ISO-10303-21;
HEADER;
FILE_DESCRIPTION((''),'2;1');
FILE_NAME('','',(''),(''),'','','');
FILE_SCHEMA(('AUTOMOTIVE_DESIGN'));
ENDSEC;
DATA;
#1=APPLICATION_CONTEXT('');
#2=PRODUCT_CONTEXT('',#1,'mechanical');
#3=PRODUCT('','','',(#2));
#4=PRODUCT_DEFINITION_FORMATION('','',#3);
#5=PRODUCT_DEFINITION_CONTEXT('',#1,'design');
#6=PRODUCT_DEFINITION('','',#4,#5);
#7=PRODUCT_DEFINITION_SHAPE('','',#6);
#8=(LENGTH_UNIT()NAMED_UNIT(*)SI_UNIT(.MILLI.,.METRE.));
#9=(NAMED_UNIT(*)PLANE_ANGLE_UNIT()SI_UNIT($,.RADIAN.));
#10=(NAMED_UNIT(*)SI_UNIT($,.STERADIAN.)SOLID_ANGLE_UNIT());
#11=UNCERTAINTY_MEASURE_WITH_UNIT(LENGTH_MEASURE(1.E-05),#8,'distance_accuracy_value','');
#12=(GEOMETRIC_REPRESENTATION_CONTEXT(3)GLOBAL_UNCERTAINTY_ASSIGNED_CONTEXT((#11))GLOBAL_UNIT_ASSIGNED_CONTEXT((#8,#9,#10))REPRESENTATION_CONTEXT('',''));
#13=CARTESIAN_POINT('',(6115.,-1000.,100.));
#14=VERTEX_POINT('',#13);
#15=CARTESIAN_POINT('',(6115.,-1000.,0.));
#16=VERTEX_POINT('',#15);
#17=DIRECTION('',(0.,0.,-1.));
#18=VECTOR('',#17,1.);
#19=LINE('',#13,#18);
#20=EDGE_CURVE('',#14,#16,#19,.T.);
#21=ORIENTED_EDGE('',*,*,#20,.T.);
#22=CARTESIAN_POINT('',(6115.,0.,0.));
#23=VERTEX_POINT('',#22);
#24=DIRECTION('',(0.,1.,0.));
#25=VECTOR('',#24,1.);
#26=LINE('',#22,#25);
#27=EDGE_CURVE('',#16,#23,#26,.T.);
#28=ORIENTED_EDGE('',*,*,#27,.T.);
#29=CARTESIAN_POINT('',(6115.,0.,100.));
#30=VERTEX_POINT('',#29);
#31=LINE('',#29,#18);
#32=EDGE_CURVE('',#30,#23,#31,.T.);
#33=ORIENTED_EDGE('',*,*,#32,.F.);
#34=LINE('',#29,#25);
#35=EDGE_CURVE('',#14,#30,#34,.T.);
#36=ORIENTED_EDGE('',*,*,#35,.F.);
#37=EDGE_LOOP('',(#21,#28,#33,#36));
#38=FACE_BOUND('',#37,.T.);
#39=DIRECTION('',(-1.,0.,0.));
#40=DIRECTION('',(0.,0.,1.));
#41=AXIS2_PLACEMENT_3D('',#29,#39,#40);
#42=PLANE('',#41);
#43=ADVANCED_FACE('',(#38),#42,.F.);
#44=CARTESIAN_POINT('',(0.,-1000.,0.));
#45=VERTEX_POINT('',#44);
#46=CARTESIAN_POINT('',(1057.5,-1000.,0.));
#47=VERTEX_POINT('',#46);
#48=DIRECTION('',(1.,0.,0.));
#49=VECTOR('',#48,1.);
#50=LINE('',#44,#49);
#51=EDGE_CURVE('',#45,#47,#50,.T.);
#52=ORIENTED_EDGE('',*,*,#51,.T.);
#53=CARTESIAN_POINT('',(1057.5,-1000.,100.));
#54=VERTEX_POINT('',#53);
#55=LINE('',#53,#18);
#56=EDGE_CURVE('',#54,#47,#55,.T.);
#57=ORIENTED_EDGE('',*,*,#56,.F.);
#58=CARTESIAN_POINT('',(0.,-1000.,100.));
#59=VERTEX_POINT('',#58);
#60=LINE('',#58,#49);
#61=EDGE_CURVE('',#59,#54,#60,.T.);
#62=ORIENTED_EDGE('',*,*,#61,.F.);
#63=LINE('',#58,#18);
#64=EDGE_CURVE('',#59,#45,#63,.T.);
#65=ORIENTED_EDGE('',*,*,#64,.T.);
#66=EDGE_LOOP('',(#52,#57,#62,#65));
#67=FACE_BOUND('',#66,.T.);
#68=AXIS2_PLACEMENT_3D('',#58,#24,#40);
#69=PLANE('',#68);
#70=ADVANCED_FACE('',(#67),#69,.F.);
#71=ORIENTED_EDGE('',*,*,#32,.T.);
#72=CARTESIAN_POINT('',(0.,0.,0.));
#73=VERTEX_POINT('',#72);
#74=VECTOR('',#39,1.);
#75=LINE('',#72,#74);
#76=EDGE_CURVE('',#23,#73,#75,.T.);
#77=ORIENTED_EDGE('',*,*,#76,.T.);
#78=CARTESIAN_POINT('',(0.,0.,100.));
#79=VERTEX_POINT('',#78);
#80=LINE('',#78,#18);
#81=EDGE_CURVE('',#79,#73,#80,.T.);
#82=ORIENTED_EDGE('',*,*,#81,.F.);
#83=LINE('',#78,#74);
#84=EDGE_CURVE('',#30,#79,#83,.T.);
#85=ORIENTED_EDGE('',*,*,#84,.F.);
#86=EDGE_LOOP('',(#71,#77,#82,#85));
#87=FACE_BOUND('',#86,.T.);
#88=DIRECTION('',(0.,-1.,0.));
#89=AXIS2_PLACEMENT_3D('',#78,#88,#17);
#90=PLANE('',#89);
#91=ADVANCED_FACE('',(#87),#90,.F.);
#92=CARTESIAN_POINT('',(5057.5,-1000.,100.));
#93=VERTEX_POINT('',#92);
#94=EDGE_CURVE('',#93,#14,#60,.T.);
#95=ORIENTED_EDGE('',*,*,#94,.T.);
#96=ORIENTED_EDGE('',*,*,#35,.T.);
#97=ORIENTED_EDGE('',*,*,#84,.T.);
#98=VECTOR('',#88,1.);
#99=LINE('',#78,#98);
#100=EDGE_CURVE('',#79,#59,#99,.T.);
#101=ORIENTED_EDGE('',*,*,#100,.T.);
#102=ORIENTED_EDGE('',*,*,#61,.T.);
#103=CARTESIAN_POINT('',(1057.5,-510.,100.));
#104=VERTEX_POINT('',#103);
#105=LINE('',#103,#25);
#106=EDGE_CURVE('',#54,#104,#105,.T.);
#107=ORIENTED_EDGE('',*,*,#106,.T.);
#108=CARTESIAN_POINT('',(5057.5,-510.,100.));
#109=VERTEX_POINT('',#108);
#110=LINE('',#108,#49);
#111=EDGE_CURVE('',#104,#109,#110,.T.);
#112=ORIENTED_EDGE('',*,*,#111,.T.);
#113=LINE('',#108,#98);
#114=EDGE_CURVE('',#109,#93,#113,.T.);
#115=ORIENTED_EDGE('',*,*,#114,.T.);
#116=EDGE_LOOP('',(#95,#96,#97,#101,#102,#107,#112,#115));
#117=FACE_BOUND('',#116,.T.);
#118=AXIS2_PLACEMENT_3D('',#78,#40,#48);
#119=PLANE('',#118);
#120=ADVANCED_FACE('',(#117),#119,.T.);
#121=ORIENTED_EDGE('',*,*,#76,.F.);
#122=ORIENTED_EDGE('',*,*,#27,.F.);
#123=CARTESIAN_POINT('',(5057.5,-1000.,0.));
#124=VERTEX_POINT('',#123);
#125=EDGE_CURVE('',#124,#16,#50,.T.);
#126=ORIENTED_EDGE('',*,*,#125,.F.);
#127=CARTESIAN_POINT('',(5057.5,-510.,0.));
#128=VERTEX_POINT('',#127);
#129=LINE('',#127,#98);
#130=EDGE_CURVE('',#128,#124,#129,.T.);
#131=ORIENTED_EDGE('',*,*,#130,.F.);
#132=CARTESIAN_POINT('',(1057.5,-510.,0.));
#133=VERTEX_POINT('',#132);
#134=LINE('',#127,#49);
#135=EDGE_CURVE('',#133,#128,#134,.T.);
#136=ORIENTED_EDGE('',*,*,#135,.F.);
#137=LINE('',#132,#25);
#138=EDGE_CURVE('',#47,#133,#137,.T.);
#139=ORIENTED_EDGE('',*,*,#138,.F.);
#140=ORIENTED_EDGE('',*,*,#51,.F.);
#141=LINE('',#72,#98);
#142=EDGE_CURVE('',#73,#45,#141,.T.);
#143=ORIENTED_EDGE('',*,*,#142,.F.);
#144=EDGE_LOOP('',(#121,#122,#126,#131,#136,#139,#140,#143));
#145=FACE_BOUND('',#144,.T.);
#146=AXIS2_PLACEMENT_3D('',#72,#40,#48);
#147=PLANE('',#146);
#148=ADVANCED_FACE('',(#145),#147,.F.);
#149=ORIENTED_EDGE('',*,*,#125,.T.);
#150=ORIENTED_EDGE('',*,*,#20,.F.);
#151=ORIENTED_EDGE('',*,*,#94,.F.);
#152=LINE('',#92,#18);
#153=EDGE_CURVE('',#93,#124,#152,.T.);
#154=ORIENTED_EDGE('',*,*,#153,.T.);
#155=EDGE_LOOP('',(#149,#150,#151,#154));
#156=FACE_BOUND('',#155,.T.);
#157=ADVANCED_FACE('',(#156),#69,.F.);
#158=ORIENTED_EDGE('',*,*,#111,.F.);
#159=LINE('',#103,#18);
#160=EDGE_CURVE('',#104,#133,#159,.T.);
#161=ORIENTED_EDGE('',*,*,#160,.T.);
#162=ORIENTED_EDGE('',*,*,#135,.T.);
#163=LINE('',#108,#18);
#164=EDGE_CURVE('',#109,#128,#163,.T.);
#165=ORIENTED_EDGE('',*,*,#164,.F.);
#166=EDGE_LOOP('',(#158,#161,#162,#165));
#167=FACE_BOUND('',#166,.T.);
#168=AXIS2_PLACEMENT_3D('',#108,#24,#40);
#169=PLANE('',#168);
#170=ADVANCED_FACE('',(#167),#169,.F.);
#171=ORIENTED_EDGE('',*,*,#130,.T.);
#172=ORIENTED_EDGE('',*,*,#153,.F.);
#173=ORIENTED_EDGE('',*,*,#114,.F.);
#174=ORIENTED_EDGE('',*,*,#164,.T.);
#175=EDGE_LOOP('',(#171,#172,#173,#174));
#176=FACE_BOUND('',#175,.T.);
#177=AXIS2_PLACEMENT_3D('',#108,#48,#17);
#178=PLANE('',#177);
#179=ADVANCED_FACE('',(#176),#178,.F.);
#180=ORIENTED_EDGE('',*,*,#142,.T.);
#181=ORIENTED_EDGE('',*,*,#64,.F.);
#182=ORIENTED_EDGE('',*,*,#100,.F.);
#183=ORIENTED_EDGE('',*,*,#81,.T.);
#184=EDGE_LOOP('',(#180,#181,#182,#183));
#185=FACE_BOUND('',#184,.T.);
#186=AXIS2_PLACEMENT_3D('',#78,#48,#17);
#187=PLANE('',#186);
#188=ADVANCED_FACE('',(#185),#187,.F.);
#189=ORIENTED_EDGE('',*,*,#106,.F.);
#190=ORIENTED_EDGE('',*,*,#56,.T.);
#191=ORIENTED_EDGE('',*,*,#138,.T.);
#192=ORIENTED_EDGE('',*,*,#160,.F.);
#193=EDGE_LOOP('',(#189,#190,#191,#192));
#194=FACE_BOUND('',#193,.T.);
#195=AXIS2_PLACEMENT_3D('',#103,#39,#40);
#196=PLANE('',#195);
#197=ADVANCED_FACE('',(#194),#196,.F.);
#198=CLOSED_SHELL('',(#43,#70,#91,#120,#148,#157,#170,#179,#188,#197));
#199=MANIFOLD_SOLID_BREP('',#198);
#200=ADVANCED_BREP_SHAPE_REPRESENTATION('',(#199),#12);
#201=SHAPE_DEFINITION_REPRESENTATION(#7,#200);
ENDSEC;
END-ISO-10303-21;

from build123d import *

# Parameters (mm, degrees)
SKETCH_1_W          = 6115
SKETCH_1_H          = 1000
EXTRUDE_1_DEPTH     = 100
SKETCH_2_W          = 4000
SKETCH_2_H          = 490
CUT_EXTRUDE_1_DEPTH = 6198.033564537


with BuildPart() as part:
    # Эскиз1 → Бобышка-Вытянуть1 (new body)
    with BuildSketch(Plane.XY):
        with Locations((3057.5, -500)):
            Rectangle(SKETCH_1_W, SKETCH_1_H)
    extrude(amount=EXTRUDE_1_DEPTH)

    # Эскиз2 → Вырез-Вытянуть1 (cut, through all)
    with BuildSketch(Plane(origin=(0, 0, 0), x_dir=(-1, 0, 0), z_dir=(0, 0, -1))):
        with Locations((-3057.5, -755)):
            Rectangle(SKETCH_2_W, SKETCH_2_H)
    extrude(amount=-CUT_EXTRUDE_1_DEPTH, mode=Mode.SUBTRACT)


solid = part.part
